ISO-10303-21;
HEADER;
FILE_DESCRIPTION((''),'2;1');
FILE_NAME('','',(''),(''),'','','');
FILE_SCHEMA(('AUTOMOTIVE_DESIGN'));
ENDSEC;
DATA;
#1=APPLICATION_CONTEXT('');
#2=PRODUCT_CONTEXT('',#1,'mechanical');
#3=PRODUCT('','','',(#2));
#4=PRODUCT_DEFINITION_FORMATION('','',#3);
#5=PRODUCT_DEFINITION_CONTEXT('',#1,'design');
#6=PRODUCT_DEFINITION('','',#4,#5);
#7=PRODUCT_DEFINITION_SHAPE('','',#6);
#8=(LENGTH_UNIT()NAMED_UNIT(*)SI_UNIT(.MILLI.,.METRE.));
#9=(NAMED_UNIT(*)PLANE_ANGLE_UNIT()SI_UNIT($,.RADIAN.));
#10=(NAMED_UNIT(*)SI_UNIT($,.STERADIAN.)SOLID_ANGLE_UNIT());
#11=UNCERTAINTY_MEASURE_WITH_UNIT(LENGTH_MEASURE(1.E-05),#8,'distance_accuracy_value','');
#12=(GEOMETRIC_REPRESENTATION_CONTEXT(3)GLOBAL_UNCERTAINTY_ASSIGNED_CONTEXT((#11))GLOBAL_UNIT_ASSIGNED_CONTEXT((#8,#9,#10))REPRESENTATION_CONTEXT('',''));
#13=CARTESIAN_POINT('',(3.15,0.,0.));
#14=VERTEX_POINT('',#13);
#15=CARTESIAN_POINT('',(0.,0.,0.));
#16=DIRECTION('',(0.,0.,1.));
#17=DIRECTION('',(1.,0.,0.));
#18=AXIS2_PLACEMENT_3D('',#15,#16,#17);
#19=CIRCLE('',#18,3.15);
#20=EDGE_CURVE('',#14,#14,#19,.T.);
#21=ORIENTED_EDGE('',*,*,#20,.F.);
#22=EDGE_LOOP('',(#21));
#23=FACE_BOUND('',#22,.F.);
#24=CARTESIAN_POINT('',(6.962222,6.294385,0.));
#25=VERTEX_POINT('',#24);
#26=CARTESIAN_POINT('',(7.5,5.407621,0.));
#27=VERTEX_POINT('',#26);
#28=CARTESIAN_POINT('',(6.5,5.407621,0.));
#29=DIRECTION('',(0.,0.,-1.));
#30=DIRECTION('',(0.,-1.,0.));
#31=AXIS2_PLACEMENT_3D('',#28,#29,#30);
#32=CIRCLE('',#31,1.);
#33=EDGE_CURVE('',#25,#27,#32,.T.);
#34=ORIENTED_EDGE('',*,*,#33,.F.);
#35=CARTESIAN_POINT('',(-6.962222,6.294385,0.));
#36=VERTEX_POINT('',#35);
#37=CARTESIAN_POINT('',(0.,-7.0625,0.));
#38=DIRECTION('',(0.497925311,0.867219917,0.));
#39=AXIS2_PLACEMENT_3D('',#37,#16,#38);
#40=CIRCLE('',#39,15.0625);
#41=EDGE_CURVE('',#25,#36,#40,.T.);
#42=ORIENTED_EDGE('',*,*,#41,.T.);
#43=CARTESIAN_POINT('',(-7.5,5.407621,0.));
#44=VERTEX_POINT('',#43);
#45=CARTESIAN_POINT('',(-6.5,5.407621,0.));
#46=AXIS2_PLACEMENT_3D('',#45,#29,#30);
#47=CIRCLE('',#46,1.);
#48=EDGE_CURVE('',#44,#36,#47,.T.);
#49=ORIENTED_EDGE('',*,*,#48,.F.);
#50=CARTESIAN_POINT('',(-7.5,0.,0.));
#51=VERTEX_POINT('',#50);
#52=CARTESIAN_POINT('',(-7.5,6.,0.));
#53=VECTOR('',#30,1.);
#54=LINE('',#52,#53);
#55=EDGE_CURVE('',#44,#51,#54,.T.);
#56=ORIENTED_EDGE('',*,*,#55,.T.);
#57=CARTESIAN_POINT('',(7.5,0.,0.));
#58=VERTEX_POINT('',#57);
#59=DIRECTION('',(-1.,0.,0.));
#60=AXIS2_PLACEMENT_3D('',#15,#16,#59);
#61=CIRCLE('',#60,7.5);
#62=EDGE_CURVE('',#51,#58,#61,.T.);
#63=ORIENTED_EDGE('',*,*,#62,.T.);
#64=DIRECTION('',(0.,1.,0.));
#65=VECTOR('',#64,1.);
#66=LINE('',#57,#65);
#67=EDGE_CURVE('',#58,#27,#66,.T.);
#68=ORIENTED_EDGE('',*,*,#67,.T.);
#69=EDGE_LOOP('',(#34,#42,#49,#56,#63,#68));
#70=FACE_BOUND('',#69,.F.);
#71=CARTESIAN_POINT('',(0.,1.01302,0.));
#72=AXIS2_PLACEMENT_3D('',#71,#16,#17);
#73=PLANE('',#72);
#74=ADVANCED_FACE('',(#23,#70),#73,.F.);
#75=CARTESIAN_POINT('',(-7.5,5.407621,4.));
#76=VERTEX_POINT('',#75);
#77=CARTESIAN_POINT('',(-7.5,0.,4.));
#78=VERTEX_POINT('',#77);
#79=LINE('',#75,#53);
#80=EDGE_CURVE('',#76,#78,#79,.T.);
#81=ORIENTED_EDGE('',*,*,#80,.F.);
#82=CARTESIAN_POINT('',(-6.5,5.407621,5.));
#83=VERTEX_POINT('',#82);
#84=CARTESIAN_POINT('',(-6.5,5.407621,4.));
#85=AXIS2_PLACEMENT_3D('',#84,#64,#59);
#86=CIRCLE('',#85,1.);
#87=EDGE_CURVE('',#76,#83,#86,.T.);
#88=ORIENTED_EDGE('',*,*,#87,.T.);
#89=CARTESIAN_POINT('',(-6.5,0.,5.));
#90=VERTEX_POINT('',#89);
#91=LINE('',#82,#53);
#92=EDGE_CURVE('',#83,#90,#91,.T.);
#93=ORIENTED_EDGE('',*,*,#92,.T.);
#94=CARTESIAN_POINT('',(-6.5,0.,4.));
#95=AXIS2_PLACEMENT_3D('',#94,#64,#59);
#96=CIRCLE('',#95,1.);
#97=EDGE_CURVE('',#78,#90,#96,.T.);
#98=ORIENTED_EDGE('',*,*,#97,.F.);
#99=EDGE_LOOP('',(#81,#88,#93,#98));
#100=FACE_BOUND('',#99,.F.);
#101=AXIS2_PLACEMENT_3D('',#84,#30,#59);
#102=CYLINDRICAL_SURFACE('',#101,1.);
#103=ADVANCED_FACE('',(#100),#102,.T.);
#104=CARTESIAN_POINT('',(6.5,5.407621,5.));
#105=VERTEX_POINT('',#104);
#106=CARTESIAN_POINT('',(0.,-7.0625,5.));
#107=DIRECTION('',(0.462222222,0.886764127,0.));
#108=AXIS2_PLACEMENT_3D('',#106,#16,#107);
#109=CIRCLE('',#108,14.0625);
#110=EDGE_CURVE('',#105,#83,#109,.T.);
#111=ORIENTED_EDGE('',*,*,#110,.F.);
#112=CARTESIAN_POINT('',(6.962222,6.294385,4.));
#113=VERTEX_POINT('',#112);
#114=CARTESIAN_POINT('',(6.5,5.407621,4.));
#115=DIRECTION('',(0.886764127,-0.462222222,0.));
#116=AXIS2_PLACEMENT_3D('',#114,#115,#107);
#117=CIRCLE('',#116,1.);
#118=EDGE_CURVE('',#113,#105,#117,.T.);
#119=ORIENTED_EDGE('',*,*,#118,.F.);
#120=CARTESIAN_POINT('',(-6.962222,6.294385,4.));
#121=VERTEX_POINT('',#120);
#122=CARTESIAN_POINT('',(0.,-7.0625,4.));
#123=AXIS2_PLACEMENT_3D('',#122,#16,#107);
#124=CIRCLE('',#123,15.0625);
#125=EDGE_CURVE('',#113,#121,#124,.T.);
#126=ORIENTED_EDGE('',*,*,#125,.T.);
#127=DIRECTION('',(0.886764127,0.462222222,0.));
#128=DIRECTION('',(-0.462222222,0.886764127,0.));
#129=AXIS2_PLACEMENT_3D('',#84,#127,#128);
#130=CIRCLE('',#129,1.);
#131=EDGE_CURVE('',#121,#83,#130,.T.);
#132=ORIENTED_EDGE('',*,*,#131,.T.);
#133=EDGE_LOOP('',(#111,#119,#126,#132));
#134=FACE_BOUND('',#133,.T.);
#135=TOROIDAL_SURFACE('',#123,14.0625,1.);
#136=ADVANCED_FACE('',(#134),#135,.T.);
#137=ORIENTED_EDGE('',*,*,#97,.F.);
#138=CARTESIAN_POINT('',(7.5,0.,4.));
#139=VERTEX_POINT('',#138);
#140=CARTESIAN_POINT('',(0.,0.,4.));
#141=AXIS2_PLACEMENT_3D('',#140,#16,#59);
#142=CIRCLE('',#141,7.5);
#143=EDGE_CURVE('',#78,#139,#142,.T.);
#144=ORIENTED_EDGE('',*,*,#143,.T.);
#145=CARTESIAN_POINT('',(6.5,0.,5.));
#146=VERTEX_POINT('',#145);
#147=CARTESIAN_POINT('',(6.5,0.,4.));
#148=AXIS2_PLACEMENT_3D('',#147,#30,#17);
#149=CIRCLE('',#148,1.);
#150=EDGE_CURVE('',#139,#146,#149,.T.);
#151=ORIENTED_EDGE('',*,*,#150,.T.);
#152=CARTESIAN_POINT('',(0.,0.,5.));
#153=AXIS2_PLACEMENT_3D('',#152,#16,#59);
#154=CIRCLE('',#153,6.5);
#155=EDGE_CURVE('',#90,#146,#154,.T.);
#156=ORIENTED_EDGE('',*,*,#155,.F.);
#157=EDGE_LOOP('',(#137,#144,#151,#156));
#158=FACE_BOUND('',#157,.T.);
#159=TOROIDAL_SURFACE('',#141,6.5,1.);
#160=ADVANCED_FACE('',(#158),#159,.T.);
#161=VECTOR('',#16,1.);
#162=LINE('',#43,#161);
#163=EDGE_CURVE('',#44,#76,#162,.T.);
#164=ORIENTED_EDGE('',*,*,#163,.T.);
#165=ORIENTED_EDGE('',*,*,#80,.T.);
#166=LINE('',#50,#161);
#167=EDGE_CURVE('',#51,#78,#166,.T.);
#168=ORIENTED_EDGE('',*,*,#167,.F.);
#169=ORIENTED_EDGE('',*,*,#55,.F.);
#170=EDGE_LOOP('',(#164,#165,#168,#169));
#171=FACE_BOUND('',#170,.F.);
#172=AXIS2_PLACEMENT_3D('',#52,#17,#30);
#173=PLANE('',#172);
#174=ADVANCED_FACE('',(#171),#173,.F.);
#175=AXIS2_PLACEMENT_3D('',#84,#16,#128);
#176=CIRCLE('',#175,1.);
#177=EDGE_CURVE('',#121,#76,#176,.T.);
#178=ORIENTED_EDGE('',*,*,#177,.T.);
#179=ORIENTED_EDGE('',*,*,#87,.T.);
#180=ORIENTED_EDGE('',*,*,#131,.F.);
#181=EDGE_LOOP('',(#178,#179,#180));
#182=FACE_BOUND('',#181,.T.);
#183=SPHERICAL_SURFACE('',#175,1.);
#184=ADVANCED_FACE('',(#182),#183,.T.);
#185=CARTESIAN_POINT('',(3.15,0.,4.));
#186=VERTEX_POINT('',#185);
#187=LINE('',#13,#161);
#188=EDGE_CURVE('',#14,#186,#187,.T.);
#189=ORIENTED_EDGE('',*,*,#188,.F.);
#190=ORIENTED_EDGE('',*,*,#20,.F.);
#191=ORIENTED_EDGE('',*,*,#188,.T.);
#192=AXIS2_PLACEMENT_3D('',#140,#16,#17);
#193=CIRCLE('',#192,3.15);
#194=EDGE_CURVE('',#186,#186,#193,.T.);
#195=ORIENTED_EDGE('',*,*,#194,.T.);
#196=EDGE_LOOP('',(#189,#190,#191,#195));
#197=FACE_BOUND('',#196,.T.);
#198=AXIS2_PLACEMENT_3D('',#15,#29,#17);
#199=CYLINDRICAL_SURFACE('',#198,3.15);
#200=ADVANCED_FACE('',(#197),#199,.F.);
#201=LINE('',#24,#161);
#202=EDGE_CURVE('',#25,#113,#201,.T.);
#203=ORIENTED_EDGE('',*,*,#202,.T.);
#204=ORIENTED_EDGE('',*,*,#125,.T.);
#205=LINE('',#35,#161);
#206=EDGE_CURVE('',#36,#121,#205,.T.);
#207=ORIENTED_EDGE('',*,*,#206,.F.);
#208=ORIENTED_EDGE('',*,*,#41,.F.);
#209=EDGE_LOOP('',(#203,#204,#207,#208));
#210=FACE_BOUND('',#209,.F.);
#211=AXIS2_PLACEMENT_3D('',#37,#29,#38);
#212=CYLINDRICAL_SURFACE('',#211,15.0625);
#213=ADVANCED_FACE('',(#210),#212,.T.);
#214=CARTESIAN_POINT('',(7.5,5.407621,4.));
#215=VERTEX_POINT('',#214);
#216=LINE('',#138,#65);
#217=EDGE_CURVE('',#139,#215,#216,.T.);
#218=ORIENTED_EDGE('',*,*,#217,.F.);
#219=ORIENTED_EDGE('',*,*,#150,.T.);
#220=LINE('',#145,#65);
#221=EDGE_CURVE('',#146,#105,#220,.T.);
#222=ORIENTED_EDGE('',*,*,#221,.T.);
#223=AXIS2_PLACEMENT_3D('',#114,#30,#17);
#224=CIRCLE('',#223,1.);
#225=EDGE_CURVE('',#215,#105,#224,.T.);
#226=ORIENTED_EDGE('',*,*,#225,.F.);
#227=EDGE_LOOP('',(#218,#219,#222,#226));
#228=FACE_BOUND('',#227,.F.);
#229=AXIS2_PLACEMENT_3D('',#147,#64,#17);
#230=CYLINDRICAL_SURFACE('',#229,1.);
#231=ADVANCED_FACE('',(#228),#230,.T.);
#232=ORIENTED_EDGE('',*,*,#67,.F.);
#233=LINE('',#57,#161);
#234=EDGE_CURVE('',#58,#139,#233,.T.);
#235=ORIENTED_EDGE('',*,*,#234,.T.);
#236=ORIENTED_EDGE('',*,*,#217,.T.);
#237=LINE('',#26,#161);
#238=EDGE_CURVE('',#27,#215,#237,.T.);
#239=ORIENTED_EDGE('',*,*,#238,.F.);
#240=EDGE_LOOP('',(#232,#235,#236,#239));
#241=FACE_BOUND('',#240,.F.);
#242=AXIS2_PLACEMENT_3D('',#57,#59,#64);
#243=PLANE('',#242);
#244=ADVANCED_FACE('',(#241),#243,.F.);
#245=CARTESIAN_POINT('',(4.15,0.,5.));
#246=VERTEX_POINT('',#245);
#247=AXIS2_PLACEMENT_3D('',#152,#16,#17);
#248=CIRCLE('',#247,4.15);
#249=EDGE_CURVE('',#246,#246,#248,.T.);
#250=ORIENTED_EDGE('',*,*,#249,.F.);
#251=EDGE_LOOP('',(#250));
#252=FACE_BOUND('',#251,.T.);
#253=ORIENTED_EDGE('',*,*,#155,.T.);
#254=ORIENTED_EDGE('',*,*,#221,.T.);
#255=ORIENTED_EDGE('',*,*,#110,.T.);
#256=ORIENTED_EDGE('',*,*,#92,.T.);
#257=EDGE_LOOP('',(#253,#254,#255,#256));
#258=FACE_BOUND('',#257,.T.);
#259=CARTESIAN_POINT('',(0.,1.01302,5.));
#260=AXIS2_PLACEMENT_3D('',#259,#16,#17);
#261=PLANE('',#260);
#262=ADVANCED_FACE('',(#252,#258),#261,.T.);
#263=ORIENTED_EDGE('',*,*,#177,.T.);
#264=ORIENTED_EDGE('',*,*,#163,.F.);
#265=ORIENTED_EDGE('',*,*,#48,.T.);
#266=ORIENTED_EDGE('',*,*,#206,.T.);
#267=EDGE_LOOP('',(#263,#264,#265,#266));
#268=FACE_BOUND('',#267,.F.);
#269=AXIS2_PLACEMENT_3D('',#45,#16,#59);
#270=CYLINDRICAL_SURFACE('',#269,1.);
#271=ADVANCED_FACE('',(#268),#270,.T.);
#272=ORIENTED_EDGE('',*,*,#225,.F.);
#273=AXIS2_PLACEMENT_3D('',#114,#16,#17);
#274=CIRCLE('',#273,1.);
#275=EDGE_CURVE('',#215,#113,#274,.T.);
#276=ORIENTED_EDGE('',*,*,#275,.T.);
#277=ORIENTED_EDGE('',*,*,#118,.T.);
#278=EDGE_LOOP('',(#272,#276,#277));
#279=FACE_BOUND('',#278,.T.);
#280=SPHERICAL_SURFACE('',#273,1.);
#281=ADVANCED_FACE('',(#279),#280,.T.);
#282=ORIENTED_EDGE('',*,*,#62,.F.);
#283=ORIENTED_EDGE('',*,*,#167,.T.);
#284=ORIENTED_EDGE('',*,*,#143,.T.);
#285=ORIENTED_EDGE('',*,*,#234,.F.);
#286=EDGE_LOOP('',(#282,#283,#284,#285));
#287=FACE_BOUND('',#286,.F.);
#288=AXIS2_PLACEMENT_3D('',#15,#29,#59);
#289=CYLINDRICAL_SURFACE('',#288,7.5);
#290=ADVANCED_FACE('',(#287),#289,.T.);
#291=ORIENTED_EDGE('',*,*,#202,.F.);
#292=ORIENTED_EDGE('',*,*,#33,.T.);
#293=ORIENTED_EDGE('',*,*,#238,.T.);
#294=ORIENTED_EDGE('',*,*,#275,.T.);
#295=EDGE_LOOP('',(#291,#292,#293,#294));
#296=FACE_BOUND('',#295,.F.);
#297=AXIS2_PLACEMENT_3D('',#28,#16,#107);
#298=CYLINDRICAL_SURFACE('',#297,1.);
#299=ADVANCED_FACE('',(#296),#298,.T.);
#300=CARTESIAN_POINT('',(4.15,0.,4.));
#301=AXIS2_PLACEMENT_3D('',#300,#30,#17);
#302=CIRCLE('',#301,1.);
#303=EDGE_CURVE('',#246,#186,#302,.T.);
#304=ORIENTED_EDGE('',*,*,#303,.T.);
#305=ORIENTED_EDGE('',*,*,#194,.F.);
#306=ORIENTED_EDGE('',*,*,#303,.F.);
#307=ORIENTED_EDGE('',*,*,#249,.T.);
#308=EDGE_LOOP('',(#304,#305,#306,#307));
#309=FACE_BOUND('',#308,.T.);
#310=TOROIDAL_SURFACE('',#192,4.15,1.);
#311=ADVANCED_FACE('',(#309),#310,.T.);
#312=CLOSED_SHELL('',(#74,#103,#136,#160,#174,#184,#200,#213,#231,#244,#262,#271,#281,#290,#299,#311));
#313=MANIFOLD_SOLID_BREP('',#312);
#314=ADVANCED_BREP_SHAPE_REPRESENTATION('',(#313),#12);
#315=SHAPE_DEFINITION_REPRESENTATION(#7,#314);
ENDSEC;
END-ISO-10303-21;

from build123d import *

# Parameters (mm, degrees)
F0_R     = 3.15
F1_DEPTH = 5
F2_R     = 1
F3_R     = 1


with BuildPart() as f1:
    # F0 (on Top) → F1 (new body)
    with BuildSketch(Plane.XY):
        with BuildLine():
            Line((-7.5, 6), (-7.5, 0))
            ThreePointArc((-7.5, 0), (0, -7.5), (7.5, 0))
            Line((7.5, 0), (7.5, 6))
            ThreePointArc((7.5, 6), (0, 8), (-7.5, 6))
        make_face()
        Circle(F0_R, mode=Mode.SUBTRACT)
    extrude(amount=F1_DEPTH)

    # F2
    f2_edges = [f1.edges().sort_by_distance(p)[0] for p in [
        (-7.5, 6, 2.5),
        (7.5, 6, 2.5),
    ]]
    fillet(f2_edges, radius=F2_R)

    # F3
    f3_edges = [f1.edges().sort_by_distance(p)[0] for p in [
        (-7.5, 2.70381, 5),
        (-3.15, 0, 5),
    ]]
    fillet(f3_edges, radius=F3_R)


solid = f1.part
